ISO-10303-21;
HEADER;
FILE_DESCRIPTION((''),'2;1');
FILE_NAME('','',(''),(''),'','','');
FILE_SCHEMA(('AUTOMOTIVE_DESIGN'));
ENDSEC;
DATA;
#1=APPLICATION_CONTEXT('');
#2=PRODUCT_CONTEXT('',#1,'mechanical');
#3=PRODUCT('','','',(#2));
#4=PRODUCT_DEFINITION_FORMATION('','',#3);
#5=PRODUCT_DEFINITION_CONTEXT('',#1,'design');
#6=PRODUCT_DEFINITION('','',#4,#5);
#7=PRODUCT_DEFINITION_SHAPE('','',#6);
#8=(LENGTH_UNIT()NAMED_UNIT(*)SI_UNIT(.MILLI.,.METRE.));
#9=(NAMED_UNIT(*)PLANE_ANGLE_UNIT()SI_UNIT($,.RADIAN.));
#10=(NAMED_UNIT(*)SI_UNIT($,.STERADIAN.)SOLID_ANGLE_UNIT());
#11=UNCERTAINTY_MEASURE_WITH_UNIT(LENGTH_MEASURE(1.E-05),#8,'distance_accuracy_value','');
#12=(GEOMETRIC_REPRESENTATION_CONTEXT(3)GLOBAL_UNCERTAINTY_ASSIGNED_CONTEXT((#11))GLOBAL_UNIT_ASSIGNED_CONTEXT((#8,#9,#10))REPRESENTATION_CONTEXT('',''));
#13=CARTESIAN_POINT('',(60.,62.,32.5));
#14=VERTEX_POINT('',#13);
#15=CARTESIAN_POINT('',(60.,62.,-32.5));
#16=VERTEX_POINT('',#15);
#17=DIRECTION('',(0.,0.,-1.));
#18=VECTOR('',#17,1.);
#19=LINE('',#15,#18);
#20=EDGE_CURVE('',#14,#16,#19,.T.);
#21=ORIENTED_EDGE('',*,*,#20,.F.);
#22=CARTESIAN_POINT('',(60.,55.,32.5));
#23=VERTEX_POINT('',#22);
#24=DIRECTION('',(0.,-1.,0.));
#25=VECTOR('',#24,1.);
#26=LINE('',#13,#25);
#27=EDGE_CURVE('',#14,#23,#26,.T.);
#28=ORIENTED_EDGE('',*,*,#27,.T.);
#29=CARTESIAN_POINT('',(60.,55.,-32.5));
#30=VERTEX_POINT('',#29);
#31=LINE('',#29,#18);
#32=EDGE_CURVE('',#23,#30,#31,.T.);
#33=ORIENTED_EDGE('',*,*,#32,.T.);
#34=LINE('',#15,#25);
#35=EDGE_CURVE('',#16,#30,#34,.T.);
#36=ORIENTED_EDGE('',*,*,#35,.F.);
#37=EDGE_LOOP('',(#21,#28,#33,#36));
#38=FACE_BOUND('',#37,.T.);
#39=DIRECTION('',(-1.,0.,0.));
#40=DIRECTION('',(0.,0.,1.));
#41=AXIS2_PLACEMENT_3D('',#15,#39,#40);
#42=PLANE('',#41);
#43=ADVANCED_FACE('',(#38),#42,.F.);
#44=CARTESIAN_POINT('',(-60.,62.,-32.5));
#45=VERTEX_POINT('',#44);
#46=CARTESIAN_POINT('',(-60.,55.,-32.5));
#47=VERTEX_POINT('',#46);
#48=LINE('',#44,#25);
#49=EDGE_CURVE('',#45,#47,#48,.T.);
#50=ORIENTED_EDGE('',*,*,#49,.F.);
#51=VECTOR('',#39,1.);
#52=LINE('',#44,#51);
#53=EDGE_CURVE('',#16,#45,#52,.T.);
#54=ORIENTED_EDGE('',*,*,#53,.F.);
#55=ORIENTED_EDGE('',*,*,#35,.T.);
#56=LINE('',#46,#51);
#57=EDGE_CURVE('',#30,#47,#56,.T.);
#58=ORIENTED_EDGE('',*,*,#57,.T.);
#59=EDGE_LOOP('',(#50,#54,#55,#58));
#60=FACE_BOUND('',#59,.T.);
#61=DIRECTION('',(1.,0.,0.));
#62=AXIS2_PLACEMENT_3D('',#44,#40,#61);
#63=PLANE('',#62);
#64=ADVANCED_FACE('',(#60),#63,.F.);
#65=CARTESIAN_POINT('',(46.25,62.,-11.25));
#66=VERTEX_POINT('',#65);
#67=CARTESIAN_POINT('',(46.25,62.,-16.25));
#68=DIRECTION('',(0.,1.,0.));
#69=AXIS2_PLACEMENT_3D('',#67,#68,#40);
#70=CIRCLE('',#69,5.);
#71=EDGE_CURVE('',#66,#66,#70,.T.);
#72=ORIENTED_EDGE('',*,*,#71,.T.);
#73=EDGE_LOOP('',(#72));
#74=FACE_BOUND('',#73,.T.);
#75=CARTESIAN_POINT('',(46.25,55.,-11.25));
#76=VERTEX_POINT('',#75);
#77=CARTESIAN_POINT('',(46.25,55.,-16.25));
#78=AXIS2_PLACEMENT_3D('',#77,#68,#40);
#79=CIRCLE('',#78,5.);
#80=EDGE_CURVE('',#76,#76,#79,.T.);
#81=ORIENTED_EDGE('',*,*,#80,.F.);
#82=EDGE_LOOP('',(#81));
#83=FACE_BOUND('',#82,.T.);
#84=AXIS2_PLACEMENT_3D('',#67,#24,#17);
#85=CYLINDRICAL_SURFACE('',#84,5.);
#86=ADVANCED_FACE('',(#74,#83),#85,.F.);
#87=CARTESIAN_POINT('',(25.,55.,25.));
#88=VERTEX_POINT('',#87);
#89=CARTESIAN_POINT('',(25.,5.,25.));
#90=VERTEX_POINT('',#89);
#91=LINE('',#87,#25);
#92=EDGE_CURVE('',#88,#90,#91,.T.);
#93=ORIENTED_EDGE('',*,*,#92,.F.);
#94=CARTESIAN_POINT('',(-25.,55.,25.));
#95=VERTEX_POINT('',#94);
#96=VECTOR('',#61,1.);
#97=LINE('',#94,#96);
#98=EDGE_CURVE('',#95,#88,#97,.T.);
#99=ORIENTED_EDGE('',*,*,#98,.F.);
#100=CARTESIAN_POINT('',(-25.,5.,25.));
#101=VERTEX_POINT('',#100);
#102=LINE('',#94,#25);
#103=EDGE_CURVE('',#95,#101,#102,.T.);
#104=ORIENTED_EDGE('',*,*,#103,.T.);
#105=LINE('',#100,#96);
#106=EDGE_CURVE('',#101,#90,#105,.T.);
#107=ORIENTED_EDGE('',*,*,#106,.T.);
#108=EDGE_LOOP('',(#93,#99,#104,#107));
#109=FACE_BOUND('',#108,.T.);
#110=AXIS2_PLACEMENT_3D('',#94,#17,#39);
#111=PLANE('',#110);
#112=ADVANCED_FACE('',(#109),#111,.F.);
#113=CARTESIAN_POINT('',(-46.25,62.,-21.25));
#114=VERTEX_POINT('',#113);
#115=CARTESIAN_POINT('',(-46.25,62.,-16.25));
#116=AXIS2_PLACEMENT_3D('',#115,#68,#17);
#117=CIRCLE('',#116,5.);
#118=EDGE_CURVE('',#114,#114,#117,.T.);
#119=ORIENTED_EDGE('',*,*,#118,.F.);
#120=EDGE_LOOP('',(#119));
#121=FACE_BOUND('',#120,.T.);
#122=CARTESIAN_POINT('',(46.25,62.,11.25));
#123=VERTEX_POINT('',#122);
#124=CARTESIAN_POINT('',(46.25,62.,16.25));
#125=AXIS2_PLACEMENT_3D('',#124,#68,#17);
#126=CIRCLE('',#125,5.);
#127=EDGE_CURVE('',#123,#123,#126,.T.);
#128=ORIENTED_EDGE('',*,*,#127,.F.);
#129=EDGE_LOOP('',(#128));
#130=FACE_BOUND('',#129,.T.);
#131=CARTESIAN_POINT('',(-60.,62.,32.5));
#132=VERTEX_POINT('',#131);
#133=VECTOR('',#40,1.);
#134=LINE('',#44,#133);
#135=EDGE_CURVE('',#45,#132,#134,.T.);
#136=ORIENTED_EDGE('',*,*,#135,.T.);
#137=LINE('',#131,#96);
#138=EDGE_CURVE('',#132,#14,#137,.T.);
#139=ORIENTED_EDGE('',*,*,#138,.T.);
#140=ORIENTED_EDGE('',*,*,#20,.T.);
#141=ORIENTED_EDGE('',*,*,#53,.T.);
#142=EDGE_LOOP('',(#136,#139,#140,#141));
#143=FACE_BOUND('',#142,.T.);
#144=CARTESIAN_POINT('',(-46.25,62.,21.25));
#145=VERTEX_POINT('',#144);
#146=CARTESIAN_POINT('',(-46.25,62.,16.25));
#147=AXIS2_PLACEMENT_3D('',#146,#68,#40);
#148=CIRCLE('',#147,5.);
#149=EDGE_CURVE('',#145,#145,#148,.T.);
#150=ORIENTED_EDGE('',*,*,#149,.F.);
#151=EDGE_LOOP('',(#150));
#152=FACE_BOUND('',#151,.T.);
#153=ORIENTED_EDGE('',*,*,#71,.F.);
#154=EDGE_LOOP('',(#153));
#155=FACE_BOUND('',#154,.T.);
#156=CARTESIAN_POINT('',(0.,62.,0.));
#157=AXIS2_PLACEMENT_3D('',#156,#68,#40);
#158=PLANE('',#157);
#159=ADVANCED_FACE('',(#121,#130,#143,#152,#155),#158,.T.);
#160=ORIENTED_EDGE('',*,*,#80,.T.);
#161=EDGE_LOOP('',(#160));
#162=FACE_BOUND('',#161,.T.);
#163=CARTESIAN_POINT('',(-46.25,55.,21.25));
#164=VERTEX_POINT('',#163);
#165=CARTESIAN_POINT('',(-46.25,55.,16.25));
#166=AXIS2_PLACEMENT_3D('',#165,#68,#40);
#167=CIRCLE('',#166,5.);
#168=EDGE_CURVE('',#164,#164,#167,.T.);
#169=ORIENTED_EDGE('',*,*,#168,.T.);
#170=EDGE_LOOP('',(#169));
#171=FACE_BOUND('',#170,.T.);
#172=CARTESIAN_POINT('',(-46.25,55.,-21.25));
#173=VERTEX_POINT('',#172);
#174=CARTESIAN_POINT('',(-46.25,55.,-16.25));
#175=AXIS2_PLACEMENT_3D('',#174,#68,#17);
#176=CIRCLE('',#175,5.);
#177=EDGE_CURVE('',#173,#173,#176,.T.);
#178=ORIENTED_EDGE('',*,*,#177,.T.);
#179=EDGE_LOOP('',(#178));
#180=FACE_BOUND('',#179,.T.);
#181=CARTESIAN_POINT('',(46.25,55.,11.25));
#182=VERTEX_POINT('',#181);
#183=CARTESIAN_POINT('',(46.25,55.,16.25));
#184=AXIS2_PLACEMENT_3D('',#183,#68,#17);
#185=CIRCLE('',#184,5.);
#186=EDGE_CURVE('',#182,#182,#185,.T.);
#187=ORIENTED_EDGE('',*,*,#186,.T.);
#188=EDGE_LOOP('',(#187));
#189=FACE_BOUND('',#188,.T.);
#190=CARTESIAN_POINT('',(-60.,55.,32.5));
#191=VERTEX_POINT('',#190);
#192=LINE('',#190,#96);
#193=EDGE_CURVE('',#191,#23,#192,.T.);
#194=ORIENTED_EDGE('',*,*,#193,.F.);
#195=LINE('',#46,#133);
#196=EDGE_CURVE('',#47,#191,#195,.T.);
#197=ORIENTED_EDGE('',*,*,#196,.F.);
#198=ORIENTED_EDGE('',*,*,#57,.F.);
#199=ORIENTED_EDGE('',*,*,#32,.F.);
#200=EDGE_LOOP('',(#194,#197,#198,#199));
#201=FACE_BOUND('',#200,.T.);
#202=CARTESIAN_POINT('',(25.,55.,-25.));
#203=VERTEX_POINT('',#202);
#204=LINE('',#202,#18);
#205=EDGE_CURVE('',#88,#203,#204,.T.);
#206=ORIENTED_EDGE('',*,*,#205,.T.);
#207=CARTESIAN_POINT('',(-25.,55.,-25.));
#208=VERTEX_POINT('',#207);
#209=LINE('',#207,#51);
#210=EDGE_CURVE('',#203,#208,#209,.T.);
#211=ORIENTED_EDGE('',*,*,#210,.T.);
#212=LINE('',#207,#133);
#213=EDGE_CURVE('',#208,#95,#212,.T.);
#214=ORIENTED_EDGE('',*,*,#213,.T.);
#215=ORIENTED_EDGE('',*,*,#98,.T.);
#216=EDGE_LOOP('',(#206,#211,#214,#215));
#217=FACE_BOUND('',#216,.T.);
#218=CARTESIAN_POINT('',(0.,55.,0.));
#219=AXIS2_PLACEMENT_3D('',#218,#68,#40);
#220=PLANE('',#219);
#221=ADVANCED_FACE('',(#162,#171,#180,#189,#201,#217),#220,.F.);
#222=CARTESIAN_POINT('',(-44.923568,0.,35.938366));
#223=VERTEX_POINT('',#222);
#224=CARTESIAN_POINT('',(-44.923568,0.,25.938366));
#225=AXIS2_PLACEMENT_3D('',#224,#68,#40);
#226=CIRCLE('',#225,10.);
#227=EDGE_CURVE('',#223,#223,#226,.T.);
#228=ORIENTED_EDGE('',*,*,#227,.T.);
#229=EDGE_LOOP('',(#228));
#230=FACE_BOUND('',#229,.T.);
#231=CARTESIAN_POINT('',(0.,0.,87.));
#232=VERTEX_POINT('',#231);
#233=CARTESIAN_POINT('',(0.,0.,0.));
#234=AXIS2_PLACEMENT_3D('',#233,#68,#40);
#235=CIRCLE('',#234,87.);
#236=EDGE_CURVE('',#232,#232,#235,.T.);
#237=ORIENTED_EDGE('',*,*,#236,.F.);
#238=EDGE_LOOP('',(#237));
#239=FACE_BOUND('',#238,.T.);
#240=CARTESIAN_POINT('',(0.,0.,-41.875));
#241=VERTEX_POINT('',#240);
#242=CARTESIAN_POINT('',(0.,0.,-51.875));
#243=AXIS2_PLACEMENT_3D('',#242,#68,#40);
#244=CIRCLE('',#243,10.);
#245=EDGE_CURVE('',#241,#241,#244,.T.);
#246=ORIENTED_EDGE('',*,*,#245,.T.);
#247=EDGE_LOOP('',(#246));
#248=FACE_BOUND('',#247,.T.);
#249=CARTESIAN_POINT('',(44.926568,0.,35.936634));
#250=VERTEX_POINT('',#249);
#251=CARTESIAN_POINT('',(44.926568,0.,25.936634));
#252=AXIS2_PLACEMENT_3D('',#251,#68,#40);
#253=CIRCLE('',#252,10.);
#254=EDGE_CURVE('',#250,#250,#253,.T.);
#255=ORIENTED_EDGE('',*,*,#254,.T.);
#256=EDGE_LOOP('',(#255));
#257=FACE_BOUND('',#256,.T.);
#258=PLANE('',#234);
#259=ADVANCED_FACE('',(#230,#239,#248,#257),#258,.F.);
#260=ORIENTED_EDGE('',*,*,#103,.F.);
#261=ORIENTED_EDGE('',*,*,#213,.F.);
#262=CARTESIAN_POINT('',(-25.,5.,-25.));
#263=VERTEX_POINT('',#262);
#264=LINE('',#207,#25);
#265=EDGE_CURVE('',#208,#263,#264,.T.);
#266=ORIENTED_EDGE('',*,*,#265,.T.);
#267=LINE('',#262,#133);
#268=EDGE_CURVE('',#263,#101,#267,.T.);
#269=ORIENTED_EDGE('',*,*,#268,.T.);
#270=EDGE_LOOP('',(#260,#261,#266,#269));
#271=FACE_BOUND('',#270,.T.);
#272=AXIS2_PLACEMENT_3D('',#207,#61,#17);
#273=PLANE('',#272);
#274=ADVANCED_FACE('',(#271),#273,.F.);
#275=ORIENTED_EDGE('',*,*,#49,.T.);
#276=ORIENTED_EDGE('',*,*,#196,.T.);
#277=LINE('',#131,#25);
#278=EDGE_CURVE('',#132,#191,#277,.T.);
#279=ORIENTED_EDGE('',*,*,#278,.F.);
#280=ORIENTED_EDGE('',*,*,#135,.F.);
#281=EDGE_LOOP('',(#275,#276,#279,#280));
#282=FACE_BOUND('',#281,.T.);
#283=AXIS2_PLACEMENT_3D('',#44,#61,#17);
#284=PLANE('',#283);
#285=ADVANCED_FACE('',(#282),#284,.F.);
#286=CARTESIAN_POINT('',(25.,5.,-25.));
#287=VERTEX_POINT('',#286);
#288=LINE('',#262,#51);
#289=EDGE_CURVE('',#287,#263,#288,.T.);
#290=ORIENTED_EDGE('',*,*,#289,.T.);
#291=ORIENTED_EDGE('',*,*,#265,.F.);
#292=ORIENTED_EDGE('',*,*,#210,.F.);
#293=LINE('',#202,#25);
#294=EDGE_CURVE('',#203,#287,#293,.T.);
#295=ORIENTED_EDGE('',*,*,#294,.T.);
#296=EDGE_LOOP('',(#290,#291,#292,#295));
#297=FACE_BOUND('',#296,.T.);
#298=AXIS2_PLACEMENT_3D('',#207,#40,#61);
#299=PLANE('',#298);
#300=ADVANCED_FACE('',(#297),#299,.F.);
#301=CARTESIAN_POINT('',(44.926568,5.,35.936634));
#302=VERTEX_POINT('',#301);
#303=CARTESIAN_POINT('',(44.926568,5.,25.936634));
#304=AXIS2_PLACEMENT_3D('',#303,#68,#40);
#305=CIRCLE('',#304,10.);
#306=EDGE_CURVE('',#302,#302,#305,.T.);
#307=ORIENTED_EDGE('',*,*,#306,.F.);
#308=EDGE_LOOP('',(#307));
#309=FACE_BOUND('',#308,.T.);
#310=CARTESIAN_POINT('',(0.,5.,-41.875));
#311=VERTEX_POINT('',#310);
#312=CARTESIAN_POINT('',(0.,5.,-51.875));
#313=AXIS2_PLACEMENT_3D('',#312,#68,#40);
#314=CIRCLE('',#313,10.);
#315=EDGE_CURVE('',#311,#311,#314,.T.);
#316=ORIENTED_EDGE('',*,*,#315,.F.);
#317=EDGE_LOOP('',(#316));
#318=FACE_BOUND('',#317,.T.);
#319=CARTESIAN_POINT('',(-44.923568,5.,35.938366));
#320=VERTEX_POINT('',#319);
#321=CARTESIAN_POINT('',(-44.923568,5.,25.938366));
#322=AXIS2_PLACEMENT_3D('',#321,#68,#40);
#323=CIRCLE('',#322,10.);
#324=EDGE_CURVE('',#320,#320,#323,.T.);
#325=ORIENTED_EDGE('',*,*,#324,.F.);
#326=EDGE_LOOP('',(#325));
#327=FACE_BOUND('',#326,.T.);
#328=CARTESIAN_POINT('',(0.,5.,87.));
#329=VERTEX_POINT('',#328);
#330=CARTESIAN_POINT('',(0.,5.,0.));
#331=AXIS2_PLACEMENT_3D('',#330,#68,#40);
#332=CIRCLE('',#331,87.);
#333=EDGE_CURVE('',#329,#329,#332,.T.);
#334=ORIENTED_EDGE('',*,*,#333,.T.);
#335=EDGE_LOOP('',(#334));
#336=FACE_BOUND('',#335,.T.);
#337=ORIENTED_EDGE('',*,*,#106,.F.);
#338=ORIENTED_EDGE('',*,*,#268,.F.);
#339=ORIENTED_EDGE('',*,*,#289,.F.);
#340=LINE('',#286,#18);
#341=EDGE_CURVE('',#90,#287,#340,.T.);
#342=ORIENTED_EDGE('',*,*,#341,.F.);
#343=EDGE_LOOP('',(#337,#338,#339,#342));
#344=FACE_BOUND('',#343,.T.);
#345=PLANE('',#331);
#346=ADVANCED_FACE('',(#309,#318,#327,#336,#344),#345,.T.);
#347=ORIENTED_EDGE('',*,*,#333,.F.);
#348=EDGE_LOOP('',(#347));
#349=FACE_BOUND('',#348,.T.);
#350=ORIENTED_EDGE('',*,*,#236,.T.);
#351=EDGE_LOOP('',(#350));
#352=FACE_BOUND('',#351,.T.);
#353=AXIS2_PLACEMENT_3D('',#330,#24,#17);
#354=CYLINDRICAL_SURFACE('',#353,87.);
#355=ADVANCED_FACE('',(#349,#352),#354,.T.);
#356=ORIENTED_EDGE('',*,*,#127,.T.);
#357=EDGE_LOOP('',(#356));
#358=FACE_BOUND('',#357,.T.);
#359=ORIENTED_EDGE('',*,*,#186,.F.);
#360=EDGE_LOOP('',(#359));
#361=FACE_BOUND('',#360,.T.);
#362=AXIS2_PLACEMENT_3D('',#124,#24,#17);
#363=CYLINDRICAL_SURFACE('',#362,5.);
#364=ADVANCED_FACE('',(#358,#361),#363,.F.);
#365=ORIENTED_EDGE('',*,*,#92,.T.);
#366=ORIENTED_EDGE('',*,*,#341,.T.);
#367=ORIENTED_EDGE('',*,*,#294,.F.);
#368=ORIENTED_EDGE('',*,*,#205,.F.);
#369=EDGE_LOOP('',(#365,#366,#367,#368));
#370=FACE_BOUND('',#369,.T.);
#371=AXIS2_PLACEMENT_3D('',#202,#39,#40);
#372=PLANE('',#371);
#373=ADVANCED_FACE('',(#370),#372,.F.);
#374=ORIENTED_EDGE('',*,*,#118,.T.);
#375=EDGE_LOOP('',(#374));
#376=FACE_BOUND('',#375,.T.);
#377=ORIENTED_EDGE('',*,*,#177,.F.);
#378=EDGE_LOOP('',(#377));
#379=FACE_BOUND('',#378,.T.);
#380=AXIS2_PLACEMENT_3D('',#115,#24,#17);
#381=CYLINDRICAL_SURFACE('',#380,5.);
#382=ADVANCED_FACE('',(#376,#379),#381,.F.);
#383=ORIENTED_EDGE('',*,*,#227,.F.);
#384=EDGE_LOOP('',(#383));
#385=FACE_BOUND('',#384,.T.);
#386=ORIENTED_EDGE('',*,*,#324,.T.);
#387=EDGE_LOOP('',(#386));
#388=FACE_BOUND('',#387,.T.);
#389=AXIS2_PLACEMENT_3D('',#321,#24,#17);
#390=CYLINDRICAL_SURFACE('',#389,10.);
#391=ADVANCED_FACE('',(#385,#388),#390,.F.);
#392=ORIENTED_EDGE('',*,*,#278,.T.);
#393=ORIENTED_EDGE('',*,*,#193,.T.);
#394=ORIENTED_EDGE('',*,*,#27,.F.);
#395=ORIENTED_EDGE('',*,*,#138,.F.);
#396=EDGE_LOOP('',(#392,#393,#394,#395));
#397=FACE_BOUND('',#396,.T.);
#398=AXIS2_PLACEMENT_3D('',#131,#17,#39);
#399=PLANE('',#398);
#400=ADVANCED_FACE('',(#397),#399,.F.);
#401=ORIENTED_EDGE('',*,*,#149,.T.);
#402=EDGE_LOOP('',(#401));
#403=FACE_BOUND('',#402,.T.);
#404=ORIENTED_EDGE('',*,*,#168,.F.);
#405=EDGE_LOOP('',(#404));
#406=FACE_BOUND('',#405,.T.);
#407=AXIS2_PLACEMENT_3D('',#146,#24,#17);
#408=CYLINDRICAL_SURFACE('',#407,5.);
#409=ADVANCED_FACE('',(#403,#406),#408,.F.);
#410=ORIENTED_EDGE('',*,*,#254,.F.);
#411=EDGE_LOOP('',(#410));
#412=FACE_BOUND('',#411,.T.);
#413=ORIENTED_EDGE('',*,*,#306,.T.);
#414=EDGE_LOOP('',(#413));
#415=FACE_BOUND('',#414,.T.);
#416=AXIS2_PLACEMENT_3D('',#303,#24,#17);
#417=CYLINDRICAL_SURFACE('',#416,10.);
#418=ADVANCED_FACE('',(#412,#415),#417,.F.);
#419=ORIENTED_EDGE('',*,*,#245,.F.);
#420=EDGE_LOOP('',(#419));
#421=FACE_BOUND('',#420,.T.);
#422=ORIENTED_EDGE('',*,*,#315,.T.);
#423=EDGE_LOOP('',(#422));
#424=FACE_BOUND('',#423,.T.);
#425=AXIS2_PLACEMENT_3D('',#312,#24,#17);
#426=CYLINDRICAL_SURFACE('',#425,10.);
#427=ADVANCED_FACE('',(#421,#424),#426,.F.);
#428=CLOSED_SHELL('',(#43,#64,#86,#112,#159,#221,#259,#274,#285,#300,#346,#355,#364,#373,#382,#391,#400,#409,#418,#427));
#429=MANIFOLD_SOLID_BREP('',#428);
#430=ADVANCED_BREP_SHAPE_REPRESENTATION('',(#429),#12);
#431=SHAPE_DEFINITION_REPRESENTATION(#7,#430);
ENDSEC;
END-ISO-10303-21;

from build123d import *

# Parameters (mm, degrees)
SKETCH1_R           = 87
SKETCH1_R_2         = 10
BOSS_EXTRUDE1_DEPTH = 5
SKETCH2_W           = 50
SKETCH2_H           = 50
BOSS_EXTRUDE2_DEPTH = 50
SKETCH3_W           = 120
SKETCH3_H           = 65
SKETCH3_R           = 5
BOSS_EXTRUDE3_DEPTH = 7


with BuildPart() as part:
    # Sketch1 → Boss-Extrude1 (new body)
    with BuildSketch(Plane(origin=(0, 0, 0), x_dir=(1, 0, 0), z_dir=(0, 1, 0))):
        with Locations(Location((0, 0, 0), (0, 0, 270))):
            Circle(SKETCH1_R)
        with Locations(Location((0, 51.875, 0), (0, 0, 270))):
            Circle(SKETCH1_R_2, mode=Mode.SUBTRACT)
        with Locations(Location((44.926567821, -25.936633975, 0), (0, 0, 270))):
            Circle(SKETCH1_R_2, mode=Mode.SUBTRACT)
        with Locations(Location((-44.923567821, -25.938366025, 0), (0, 0, 270))):
            Circle(SKETCH1_R_2, mode=Mode.SUBTRACT)
    extrude(amount=BOSS_EXTRUDE1_DEPTH)

    # Sketch2 → Boss-Extrude2 (add)
    with BuildSketch(Plane(origin=(0, 5, 0), x_dir=(1, 0, 0), z_dir=(0, 1, 0))):
        Rectangle(SKETCH2_W, SKETCH2_H)
    extrude(amount=BOSS_EXTRUDE2_DEPTH)

    # Sketch3 → Boss-Extrude3 (add)
    with BuildSketch(Plane(origin=(0, 55, 0), x_dir=(1, 0, 0), z_dir=(0, 1, 0))):
        Rectangle(SKETCH3_W, SKETCH3_H)
        with Locations(Location((-46.25, -16.25, 0), (0, 0, 270))):
            Circle(SKETCH3_R, mode=Mode.SUBTRACT)
        with Locations(Location((-46.25, 16.25, 0), (0, 0, 90))):
            Circle(SKETCH3_R, mode=Mode.SUBTRACT)
        with Locations(Location((46.25, -16.25, 0), (0, 0, 90))):
            Circle(SKETCH3_R, mode=Mode.SUBTRACT)
        with Locations(Location((46.25, 16.25, 0), (0, 0, 270))):
            Circle(SKETCH3_R, mode=Mode.SUBTRACT)
    extrude(amount=BOSS_EXTRUDE3_DEPTH)


solid = part.part
